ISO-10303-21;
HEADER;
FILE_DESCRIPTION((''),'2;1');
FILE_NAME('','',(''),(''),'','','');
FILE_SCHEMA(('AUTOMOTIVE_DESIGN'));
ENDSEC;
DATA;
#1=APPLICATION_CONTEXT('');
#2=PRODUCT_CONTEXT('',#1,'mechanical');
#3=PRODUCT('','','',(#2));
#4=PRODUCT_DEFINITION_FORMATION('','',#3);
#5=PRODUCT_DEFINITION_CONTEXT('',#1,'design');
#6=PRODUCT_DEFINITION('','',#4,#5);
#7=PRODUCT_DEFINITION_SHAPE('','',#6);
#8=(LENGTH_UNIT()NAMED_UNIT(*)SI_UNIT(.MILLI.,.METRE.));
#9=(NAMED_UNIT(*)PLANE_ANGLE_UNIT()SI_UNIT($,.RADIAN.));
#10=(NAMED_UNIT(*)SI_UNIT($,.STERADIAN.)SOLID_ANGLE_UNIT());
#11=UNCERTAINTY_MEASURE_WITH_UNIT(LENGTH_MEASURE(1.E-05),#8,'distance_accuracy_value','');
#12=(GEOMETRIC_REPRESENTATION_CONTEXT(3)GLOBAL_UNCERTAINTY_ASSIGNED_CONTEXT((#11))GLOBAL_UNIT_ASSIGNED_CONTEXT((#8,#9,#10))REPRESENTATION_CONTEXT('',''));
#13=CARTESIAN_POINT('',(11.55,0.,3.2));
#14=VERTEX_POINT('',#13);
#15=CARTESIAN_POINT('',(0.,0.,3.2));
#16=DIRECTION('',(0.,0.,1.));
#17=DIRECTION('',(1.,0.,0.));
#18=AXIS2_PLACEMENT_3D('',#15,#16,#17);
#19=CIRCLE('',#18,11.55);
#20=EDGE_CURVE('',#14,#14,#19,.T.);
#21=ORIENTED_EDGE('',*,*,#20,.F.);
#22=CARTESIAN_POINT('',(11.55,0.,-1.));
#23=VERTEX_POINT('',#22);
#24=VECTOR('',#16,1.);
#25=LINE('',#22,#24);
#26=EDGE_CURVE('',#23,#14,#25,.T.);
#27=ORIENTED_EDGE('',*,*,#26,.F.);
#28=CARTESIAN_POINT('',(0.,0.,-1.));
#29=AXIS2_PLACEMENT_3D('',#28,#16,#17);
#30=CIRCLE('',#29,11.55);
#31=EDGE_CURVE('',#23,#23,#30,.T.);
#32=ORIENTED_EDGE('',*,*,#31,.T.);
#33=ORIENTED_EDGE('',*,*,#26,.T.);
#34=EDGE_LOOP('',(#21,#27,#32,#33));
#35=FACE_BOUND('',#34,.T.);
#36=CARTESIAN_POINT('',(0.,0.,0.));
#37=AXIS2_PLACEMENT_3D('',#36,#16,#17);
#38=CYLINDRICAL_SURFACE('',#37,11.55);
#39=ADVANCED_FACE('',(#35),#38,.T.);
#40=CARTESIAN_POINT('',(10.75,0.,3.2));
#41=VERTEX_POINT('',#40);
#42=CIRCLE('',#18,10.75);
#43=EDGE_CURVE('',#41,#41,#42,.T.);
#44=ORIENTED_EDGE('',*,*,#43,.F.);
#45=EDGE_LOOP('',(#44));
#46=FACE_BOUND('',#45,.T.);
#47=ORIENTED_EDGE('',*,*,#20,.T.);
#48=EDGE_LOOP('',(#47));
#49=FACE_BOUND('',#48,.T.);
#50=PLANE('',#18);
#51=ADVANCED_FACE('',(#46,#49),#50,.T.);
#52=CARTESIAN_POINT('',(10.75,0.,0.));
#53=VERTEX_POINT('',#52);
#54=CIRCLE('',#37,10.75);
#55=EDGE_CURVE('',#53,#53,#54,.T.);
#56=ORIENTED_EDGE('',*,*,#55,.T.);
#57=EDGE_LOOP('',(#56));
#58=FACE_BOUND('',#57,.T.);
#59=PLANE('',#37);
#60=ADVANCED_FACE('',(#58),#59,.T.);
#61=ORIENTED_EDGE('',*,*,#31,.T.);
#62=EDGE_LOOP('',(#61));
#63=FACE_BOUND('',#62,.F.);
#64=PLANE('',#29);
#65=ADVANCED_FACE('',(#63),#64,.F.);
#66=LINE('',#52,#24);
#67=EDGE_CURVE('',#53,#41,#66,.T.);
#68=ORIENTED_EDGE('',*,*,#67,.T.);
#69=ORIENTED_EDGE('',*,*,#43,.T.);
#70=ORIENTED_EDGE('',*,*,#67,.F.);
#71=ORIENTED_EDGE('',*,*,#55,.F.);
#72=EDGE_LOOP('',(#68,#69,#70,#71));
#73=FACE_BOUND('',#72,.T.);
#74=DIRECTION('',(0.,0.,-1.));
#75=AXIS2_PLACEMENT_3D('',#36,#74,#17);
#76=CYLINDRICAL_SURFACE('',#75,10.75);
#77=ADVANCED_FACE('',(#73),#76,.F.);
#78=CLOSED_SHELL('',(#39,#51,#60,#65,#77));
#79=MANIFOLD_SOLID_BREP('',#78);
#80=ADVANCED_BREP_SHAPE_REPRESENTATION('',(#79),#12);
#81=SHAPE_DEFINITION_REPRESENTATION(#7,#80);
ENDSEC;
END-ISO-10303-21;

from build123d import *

# Parameters (mm, degrees)
F0_R     = 11.55
F0_R_2   = 10.75
F1_DEPTH = 3.2
F2_DEPTH = 1


with BuildPart() as f1:
    # F0 (on Top) → F1 (new body)
    with BuildSketch(Plane.XY):
        Circle(F0_R)
        Circle(F0_R_2, mode=Mode.SUBTRACT)
    extrude(amount=F1_DEPTH)

    # F0 (on Top) → F2 (join)
    with BuildSketch(Plane.XY):
        Circle(F0_R)
        Circle(F0_R_2, mode=Mode.SUBTRACT)
        Circle(F0_R_2)
    extrude(amount=-F2_DEPTH)


solid = f1.part
